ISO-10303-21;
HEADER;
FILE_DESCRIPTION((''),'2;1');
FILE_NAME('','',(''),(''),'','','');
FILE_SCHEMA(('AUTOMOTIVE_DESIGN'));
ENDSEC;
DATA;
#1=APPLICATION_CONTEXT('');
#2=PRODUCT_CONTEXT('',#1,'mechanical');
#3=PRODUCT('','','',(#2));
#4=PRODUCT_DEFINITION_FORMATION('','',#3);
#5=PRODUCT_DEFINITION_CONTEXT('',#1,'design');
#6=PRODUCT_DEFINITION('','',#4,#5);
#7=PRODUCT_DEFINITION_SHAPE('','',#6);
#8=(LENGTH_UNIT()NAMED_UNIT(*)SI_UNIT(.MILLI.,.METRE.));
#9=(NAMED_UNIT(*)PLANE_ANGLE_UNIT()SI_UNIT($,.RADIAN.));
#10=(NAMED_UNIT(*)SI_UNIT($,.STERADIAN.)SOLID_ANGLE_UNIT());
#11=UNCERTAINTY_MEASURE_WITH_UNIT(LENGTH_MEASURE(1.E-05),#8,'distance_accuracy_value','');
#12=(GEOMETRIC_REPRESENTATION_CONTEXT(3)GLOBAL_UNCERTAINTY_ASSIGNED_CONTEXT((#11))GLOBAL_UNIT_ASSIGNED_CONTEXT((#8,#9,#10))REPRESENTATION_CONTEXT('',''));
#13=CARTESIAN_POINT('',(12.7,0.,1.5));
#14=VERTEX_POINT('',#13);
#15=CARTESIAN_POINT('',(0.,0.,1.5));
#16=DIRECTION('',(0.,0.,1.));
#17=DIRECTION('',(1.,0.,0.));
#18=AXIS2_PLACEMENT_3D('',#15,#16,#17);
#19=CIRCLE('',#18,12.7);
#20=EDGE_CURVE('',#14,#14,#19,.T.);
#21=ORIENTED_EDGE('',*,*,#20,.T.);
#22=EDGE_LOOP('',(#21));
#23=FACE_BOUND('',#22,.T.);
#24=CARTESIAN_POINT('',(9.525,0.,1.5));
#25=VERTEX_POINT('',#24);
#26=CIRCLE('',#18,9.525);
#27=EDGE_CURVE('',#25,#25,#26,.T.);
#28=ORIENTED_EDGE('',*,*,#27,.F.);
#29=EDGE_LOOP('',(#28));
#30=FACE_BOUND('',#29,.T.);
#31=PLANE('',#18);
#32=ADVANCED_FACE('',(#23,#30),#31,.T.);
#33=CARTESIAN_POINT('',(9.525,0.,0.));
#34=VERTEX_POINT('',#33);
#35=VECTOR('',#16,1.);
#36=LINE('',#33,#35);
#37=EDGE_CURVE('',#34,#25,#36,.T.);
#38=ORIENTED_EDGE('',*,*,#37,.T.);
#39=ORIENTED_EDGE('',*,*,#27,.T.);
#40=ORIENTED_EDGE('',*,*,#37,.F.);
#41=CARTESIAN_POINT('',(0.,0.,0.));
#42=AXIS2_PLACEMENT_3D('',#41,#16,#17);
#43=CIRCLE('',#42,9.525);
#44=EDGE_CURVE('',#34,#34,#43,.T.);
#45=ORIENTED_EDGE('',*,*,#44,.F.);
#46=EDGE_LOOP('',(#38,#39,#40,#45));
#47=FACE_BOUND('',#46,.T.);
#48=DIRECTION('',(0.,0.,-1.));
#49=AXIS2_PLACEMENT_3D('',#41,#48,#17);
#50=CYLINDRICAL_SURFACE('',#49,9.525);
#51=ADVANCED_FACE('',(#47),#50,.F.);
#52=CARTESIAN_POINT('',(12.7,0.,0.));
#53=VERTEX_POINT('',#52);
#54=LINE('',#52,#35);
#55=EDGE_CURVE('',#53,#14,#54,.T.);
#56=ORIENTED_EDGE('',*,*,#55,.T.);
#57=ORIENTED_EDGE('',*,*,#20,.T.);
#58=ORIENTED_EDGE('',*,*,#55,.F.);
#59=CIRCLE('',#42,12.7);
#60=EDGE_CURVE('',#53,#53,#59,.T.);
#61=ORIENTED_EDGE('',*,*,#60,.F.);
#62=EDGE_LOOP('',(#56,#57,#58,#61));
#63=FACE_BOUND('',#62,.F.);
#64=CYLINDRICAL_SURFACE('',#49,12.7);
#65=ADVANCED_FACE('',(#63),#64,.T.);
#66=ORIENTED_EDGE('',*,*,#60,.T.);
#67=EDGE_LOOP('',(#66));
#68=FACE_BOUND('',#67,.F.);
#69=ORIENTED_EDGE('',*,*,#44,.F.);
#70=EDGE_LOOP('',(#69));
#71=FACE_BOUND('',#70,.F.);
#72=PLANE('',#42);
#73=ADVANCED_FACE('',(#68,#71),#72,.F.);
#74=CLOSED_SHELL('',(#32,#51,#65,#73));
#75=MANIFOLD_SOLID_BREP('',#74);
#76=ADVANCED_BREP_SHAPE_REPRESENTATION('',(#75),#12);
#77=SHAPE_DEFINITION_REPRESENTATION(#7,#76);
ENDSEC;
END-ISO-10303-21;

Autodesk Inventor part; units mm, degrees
ref_plane "YZ Plane" through (0, 0, 0) normal (1, 0, 0) x (0, 1, 0)
ref_plane "XZ Plane" through (0, 0, 0) normal (0, 1, 0) x (-1, 0, 0)
ref_plane "XY Plane" through (0, 0, 0) normal (0, 0, 1) x (1, 0, 0)
sketch "Sketch1" plane through (0, 0, 0) normal (0, 0, 1) x (1, 0, 0)
  circle A0 centre (0, 0) radius 12.7
  circle A1 centre (0, 0) radius 9.525
  dimension "d0" = 25.4
  dimension "d1" = 19.05
extrude "Extrusion1" add sketch "Sketch1" along normal blind 1.5
properties part number "1inFilterInsertGasket"
